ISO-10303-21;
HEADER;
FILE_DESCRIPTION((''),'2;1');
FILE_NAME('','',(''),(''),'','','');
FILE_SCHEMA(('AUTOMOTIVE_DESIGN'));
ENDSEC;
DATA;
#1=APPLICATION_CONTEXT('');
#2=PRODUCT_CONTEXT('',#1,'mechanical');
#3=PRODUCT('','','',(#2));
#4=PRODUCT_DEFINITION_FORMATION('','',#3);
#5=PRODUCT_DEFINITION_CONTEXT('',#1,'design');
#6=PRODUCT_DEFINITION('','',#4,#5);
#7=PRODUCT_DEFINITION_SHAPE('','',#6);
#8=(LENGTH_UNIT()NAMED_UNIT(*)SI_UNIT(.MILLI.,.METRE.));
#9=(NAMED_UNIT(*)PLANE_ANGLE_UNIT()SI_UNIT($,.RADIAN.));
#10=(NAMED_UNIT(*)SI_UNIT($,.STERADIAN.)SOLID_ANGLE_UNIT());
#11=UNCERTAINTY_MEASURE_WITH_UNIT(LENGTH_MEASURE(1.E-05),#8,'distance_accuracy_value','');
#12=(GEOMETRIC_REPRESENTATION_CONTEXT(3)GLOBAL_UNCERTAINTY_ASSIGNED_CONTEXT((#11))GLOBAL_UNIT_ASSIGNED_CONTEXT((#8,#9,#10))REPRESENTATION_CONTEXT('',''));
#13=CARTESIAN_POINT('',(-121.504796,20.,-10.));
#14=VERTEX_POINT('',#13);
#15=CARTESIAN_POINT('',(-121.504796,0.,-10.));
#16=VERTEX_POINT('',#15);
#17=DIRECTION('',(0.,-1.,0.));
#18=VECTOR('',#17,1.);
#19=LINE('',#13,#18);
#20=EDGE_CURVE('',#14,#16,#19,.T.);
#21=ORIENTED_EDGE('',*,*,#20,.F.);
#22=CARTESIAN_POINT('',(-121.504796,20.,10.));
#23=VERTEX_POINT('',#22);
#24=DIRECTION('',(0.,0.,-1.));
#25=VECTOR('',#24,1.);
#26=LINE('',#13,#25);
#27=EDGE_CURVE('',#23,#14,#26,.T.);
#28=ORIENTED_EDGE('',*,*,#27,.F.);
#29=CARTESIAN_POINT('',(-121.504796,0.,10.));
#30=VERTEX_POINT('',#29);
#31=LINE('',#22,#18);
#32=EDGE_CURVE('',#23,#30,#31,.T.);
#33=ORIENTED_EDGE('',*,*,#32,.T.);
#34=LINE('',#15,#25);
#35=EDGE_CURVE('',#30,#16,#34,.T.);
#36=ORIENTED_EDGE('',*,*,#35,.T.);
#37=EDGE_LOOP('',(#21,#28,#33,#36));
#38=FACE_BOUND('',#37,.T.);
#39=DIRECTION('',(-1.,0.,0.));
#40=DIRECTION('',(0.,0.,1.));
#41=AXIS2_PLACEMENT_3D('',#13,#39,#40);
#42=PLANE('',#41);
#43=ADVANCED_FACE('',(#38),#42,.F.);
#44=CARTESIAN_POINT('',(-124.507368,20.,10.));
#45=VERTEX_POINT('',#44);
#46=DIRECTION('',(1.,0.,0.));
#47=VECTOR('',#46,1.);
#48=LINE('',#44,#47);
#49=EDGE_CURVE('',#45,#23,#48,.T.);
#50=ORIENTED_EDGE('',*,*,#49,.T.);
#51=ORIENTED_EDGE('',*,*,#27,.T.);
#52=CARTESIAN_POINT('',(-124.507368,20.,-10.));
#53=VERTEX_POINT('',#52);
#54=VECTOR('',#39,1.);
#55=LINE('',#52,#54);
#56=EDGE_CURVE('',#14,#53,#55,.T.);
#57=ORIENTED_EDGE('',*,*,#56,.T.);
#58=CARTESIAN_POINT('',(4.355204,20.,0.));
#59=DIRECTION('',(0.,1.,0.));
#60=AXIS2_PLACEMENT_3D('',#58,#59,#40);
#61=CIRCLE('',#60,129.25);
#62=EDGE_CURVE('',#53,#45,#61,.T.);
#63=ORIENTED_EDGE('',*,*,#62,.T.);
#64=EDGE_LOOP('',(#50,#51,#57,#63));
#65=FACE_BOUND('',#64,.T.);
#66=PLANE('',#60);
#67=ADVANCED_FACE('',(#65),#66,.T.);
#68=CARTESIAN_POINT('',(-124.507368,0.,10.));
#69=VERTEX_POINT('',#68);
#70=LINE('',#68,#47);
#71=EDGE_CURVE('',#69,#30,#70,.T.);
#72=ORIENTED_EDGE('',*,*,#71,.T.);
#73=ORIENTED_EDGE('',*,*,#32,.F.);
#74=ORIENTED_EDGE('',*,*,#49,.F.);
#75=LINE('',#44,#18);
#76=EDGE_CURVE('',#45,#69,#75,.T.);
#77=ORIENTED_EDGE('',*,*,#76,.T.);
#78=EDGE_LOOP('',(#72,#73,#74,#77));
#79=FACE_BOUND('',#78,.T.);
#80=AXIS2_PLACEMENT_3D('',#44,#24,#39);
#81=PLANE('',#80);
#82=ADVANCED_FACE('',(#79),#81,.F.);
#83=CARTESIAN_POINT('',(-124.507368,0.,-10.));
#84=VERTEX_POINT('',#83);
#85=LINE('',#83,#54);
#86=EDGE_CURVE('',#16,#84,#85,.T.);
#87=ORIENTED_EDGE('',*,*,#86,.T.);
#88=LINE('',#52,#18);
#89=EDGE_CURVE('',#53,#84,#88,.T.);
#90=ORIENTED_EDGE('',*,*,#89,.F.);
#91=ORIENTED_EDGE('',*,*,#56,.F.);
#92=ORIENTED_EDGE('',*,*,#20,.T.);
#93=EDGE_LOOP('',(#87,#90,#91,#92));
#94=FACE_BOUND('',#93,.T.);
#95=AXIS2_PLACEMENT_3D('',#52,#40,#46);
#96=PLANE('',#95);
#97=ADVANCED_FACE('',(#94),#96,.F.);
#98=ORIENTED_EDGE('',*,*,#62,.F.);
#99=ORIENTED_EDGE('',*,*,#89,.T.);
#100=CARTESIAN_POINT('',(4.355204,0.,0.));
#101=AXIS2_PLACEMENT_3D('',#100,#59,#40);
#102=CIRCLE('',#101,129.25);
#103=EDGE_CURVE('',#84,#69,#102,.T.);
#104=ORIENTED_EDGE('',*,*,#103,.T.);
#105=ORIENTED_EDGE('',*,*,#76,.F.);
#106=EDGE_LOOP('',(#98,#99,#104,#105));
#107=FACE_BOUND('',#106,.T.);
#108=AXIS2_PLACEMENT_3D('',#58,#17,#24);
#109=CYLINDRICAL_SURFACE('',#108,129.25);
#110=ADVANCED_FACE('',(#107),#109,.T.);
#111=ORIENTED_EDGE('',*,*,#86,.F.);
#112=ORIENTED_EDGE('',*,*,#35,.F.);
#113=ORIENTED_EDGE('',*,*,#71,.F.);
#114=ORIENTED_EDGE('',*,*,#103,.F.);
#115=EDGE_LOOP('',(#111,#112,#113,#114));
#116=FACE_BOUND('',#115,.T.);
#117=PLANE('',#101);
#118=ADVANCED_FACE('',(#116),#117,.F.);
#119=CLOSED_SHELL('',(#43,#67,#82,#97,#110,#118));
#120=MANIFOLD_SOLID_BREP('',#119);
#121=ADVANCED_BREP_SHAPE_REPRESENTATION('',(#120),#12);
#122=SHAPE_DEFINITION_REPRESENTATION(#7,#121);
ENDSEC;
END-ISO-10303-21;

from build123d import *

# Parameters (mm, degrees)
EXTRUDE_1_DEPTH = 20


with BuildPart() as part:
    # 草图1 → 凸台-拉伸1 (new body)
    with BuildSketch(Plane(origin=(0, 0, 0), x_dir=(1, 0, 0), z_dir=(0, 1, 0))):
        with BuildLine():
            Line((-124.507367811, 10), (-121.504795665, 10))
            Line((-121.504795665, 10), (-121.504795665, -10))
            Line((-121.504795665, -10), (-124.507367811, -10))
            ThreePointArc((-124.507367811, -10), (-124.894795665, 0), (-124.507367811, 10))
        make_face()
    extrude(amount=EXTRUDE_1_DEPTH)


solid = part.part
